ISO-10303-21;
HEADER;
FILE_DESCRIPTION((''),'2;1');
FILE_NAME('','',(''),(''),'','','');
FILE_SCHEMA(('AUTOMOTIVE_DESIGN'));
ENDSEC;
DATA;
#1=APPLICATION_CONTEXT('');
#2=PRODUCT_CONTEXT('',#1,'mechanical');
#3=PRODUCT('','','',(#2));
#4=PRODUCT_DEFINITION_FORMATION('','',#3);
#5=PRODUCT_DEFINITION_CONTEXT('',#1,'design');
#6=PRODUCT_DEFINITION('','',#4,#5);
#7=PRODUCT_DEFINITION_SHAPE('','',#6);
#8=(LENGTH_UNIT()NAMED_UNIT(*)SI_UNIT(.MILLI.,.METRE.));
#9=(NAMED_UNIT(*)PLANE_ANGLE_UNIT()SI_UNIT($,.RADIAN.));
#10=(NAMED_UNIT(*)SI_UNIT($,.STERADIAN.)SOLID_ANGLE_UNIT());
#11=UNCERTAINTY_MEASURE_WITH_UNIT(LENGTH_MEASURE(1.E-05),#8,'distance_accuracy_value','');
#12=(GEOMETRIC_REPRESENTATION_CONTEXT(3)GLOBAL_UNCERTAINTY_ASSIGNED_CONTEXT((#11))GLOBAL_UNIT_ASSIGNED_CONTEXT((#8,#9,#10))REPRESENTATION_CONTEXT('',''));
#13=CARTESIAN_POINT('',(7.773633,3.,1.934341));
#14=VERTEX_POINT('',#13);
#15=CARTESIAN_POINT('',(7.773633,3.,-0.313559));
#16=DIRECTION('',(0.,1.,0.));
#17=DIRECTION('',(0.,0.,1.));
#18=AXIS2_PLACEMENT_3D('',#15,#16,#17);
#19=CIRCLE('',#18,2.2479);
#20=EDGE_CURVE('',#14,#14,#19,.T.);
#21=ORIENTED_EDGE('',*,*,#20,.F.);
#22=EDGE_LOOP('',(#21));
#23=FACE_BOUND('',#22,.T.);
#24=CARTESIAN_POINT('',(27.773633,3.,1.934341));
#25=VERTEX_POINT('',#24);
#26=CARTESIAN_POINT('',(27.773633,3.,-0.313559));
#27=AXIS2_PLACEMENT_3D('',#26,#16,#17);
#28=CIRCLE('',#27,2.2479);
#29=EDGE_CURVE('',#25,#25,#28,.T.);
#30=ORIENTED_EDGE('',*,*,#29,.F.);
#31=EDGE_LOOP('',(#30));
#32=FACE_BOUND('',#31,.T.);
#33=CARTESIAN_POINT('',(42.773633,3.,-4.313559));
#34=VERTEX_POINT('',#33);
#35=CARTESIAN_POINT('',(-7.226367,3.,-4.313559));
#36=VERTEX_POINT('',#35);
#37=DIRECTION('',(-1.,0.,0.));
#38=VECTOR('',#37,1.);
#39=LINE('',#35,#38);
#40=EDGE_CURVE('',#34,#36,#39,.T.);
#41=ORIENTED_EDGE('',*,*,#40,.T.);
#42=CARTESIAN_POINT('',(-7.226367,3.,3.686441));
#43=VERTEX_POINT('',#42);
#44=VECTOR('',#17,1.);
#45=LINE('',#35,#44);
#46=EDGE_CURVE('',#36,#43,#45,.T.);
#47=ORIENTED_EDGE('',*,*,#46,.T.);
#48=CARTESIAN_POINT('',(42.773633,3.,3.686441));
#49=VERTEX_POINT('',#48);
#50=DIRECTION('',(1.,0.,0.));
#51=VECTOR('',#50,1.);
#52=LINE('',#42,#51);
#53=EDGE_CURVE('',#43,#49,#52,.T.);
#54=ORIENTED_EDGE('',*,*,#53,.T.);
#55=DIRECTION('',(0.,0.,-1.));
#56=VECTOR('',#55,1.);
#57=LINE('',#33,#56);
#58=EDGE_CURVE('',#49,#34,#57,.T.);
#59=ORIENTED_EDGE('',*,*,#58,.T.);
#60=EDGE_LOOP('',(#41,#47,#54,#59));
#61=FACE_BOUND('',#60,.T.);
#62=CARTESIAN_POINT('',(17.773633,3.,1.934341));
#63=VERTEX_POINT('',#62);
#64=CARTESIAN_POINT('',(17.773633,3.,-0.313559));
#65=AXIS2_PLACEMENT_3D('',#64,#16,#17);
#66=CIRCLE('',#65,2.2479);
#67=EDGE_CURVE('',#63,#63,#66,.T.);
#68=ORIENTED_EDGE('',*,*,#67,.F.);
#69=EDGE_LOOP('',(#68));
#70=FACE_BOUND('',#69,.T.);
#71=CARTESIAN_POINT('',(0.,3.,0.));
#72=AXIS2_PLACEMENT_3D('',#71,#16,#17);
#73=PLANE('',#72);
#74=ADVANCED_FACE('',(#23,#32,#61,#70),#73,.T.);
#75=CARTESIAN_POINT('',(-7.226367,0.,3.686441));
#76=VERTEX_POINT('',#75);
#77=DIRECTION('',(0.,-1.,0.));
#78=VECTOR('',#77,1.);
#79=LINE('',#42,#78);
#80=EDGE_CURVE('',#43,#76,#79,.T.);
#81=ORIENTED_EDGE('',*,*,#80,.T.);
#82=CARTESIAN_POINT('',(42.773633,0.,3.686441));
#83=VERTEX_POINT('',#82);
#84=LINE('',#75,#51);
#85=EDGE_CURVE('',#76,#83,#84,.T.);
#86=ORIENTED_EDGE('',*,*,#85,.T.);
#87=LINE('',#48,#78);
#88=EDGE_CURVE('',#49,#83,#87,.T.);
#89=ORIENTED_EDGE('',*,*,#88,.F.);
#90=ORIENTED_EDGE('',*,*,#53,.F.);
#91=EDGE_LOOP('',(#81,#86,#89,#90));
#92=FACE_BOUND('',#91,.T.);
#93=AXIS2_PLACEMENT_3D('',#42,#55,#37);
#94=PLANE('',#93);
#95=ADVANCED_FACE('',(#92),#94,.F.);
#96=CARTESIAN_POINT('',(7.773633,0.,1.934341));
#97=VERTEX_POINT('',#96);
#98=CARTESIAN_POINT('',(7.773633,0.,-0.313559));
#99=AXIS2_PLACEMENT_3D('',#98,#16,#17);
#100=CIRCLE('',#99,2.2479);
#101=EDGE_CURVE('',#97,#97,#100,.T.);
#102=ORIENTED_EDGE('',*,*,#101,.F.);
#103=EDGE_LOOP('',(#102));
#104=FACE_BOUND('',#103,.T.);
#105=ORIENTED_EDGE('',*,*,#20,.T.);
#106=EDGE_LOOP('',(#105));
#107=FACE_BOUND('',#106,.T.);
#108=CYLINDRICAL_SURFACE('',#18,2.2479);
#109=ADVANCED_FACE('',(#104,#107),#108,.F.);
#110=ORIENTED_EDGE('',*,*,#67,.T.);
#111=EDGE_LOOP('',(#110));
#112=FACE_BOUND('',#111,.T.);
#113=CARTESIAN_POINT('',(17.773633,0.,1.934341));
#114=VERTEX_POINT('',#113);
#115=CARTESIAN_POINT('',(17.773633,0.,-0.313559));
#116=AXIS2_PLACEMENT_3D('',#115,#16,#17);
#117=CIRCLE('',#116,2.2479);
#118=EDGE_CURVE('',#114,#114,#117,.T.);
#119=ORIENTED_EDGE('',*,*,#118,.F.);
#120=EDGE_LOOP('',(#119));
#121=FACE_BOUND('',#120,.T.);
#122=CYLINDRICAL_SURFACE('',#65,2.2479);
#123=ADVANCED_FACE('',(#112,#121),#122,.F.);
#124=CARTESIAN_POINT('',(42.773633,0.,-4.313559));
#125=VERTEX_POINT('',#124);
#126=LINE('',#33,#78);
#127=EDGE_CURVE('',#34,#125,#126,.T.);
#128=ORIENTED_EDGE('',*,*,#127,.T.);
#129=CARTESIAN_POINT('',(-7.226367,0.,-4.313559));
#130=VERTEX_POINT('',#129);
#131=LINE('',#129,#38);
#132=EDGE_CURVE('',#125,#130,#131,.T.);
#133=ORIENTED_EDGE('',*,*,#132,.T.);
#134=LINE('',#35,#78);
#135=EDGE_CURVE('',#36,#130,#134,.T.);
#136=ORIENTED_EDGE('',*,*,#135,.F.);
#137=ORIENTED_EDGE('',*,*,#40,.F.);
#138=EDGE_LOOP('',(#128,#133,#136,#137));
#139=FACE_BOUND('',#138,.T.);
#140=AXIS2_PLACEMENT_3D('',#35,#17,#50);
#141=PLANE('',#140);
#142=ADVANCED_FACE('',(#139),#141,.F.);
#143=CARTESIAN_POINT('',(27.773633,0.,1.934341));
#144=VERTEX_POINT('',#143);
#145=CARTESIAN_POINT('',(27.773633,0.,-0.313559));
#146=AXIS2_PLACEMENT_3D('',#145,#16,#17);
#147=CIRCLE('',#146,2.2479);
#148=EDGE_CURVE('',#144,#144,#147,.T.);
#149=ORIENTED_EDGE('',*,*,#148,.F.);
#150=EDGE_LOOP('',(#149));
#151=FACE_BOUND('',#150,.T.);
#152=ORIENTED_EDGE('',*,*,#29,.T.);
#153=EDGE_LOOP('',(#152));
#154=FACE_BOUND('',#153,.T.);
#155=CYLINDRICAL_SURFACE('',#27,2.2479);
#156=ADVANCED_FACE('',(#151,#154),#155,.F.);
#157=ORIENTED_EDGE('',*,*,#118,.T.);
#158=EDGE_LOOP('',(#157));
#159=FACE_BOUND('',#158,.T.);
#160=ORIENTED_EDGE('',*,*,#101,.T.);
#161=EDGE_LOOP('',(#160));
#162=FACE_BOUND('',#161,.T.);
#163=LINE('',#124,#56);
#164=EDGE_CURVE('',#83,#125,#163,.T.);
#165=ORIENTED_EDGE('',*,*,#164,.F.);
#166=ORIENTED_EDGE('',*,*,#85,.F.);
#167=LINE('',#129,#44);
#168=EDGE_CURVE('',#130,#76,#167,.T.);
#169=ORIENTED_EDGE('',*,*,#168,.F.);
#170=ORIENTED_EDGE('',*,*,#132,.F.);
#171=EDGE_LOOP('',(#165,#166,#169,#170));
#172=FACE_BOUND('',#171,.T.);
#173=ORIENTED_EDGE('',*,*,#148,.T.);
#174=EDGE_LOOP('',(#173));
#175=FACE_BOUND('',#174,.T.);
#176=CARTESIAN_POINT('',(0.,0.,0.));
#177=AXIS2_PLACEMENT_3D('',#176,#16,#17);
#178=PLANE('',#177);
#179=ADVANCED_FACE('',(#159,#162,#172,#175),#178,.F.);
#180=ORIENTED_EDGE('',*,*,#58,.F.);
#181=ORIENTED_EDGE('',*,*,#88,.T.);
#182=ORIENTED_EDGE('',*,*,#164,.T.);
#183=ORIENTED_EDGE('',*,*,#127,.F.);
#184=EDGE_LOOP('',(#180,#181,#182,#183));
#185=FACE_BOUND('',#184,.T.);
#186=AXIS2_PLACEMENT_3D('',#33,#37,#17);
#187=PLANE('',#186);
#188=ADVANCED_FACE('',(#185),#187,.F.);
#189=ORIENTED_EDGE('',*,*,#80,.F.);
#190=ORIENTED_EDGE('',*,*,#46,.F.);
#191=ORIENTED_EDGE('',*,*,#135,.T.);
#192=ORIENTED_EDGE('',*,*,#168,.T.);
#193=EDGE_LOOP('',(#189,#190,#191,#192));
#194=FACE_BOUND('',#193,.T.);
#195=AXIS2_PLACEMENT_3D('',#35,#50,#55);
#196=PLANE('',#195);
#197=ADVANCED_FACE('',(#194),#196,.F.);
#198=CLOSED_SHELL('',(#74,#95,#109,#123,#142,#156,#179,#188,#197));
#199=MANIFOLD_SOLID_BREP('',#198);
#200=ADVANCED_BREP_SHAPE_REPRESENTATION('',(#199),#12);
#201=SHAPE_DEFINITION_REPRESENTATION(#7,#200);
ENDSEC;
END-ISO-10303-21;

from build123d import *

# Parameters (mm, degrees)
SKETCH1_W                 = 50
SKETCH1_H                 = 8
BOSS_EXTRUDE1_DEPTH       = 3
F_8_CLEARANCE_HOLE1_D     = 4.4958
F_8_CLEARANCE_HOLE1_DEPTH = 17
F_8_CLEARANCE_HOLE1_TIP   = 1.350674586


with BuildPart() as part:
    # Sketch1 → Boss-Extrude1 (new body)
    with BuildSketch(Plane(origin=(0, 0, 0), x_dir=(1, 0, 0), z_dir=(0, 1, 0))):
        with Locations((17.773632998, 0.313559322)):
            Rectangle(SKETCH1_W, SKETCH1_H)
    extrude(amount=BOSS_EXTRUDE1_DEPTH)

    # #8 Clearance Hole1
    with Locations(Plane(origin=(7.773632998, 3, -0.313559322), x_dir=(0, 0, 1), z_dir=(0, 1, 0))):
        with Locations((0, 0), (0, 20), (0, 10)):
            Hole(F_8_CLEARANCE_HOLE1_D / 2, depth=F_8_CLEARANCE_HOLE1_DEPTH)
            with Locations((0, 0, -(F_8_CLEARANCE_HOLE1_DEPTH + F_8_CLEARANCE_HOLE1_TIP / 2))):  # 118° drill point
                Cone(0, F_8_CLEARANCE_HOLE1_D / 2, F_8_CLEARANCE_HOLE1_TIP, mode=Mode.SUBTRACT)


solid = part.part
